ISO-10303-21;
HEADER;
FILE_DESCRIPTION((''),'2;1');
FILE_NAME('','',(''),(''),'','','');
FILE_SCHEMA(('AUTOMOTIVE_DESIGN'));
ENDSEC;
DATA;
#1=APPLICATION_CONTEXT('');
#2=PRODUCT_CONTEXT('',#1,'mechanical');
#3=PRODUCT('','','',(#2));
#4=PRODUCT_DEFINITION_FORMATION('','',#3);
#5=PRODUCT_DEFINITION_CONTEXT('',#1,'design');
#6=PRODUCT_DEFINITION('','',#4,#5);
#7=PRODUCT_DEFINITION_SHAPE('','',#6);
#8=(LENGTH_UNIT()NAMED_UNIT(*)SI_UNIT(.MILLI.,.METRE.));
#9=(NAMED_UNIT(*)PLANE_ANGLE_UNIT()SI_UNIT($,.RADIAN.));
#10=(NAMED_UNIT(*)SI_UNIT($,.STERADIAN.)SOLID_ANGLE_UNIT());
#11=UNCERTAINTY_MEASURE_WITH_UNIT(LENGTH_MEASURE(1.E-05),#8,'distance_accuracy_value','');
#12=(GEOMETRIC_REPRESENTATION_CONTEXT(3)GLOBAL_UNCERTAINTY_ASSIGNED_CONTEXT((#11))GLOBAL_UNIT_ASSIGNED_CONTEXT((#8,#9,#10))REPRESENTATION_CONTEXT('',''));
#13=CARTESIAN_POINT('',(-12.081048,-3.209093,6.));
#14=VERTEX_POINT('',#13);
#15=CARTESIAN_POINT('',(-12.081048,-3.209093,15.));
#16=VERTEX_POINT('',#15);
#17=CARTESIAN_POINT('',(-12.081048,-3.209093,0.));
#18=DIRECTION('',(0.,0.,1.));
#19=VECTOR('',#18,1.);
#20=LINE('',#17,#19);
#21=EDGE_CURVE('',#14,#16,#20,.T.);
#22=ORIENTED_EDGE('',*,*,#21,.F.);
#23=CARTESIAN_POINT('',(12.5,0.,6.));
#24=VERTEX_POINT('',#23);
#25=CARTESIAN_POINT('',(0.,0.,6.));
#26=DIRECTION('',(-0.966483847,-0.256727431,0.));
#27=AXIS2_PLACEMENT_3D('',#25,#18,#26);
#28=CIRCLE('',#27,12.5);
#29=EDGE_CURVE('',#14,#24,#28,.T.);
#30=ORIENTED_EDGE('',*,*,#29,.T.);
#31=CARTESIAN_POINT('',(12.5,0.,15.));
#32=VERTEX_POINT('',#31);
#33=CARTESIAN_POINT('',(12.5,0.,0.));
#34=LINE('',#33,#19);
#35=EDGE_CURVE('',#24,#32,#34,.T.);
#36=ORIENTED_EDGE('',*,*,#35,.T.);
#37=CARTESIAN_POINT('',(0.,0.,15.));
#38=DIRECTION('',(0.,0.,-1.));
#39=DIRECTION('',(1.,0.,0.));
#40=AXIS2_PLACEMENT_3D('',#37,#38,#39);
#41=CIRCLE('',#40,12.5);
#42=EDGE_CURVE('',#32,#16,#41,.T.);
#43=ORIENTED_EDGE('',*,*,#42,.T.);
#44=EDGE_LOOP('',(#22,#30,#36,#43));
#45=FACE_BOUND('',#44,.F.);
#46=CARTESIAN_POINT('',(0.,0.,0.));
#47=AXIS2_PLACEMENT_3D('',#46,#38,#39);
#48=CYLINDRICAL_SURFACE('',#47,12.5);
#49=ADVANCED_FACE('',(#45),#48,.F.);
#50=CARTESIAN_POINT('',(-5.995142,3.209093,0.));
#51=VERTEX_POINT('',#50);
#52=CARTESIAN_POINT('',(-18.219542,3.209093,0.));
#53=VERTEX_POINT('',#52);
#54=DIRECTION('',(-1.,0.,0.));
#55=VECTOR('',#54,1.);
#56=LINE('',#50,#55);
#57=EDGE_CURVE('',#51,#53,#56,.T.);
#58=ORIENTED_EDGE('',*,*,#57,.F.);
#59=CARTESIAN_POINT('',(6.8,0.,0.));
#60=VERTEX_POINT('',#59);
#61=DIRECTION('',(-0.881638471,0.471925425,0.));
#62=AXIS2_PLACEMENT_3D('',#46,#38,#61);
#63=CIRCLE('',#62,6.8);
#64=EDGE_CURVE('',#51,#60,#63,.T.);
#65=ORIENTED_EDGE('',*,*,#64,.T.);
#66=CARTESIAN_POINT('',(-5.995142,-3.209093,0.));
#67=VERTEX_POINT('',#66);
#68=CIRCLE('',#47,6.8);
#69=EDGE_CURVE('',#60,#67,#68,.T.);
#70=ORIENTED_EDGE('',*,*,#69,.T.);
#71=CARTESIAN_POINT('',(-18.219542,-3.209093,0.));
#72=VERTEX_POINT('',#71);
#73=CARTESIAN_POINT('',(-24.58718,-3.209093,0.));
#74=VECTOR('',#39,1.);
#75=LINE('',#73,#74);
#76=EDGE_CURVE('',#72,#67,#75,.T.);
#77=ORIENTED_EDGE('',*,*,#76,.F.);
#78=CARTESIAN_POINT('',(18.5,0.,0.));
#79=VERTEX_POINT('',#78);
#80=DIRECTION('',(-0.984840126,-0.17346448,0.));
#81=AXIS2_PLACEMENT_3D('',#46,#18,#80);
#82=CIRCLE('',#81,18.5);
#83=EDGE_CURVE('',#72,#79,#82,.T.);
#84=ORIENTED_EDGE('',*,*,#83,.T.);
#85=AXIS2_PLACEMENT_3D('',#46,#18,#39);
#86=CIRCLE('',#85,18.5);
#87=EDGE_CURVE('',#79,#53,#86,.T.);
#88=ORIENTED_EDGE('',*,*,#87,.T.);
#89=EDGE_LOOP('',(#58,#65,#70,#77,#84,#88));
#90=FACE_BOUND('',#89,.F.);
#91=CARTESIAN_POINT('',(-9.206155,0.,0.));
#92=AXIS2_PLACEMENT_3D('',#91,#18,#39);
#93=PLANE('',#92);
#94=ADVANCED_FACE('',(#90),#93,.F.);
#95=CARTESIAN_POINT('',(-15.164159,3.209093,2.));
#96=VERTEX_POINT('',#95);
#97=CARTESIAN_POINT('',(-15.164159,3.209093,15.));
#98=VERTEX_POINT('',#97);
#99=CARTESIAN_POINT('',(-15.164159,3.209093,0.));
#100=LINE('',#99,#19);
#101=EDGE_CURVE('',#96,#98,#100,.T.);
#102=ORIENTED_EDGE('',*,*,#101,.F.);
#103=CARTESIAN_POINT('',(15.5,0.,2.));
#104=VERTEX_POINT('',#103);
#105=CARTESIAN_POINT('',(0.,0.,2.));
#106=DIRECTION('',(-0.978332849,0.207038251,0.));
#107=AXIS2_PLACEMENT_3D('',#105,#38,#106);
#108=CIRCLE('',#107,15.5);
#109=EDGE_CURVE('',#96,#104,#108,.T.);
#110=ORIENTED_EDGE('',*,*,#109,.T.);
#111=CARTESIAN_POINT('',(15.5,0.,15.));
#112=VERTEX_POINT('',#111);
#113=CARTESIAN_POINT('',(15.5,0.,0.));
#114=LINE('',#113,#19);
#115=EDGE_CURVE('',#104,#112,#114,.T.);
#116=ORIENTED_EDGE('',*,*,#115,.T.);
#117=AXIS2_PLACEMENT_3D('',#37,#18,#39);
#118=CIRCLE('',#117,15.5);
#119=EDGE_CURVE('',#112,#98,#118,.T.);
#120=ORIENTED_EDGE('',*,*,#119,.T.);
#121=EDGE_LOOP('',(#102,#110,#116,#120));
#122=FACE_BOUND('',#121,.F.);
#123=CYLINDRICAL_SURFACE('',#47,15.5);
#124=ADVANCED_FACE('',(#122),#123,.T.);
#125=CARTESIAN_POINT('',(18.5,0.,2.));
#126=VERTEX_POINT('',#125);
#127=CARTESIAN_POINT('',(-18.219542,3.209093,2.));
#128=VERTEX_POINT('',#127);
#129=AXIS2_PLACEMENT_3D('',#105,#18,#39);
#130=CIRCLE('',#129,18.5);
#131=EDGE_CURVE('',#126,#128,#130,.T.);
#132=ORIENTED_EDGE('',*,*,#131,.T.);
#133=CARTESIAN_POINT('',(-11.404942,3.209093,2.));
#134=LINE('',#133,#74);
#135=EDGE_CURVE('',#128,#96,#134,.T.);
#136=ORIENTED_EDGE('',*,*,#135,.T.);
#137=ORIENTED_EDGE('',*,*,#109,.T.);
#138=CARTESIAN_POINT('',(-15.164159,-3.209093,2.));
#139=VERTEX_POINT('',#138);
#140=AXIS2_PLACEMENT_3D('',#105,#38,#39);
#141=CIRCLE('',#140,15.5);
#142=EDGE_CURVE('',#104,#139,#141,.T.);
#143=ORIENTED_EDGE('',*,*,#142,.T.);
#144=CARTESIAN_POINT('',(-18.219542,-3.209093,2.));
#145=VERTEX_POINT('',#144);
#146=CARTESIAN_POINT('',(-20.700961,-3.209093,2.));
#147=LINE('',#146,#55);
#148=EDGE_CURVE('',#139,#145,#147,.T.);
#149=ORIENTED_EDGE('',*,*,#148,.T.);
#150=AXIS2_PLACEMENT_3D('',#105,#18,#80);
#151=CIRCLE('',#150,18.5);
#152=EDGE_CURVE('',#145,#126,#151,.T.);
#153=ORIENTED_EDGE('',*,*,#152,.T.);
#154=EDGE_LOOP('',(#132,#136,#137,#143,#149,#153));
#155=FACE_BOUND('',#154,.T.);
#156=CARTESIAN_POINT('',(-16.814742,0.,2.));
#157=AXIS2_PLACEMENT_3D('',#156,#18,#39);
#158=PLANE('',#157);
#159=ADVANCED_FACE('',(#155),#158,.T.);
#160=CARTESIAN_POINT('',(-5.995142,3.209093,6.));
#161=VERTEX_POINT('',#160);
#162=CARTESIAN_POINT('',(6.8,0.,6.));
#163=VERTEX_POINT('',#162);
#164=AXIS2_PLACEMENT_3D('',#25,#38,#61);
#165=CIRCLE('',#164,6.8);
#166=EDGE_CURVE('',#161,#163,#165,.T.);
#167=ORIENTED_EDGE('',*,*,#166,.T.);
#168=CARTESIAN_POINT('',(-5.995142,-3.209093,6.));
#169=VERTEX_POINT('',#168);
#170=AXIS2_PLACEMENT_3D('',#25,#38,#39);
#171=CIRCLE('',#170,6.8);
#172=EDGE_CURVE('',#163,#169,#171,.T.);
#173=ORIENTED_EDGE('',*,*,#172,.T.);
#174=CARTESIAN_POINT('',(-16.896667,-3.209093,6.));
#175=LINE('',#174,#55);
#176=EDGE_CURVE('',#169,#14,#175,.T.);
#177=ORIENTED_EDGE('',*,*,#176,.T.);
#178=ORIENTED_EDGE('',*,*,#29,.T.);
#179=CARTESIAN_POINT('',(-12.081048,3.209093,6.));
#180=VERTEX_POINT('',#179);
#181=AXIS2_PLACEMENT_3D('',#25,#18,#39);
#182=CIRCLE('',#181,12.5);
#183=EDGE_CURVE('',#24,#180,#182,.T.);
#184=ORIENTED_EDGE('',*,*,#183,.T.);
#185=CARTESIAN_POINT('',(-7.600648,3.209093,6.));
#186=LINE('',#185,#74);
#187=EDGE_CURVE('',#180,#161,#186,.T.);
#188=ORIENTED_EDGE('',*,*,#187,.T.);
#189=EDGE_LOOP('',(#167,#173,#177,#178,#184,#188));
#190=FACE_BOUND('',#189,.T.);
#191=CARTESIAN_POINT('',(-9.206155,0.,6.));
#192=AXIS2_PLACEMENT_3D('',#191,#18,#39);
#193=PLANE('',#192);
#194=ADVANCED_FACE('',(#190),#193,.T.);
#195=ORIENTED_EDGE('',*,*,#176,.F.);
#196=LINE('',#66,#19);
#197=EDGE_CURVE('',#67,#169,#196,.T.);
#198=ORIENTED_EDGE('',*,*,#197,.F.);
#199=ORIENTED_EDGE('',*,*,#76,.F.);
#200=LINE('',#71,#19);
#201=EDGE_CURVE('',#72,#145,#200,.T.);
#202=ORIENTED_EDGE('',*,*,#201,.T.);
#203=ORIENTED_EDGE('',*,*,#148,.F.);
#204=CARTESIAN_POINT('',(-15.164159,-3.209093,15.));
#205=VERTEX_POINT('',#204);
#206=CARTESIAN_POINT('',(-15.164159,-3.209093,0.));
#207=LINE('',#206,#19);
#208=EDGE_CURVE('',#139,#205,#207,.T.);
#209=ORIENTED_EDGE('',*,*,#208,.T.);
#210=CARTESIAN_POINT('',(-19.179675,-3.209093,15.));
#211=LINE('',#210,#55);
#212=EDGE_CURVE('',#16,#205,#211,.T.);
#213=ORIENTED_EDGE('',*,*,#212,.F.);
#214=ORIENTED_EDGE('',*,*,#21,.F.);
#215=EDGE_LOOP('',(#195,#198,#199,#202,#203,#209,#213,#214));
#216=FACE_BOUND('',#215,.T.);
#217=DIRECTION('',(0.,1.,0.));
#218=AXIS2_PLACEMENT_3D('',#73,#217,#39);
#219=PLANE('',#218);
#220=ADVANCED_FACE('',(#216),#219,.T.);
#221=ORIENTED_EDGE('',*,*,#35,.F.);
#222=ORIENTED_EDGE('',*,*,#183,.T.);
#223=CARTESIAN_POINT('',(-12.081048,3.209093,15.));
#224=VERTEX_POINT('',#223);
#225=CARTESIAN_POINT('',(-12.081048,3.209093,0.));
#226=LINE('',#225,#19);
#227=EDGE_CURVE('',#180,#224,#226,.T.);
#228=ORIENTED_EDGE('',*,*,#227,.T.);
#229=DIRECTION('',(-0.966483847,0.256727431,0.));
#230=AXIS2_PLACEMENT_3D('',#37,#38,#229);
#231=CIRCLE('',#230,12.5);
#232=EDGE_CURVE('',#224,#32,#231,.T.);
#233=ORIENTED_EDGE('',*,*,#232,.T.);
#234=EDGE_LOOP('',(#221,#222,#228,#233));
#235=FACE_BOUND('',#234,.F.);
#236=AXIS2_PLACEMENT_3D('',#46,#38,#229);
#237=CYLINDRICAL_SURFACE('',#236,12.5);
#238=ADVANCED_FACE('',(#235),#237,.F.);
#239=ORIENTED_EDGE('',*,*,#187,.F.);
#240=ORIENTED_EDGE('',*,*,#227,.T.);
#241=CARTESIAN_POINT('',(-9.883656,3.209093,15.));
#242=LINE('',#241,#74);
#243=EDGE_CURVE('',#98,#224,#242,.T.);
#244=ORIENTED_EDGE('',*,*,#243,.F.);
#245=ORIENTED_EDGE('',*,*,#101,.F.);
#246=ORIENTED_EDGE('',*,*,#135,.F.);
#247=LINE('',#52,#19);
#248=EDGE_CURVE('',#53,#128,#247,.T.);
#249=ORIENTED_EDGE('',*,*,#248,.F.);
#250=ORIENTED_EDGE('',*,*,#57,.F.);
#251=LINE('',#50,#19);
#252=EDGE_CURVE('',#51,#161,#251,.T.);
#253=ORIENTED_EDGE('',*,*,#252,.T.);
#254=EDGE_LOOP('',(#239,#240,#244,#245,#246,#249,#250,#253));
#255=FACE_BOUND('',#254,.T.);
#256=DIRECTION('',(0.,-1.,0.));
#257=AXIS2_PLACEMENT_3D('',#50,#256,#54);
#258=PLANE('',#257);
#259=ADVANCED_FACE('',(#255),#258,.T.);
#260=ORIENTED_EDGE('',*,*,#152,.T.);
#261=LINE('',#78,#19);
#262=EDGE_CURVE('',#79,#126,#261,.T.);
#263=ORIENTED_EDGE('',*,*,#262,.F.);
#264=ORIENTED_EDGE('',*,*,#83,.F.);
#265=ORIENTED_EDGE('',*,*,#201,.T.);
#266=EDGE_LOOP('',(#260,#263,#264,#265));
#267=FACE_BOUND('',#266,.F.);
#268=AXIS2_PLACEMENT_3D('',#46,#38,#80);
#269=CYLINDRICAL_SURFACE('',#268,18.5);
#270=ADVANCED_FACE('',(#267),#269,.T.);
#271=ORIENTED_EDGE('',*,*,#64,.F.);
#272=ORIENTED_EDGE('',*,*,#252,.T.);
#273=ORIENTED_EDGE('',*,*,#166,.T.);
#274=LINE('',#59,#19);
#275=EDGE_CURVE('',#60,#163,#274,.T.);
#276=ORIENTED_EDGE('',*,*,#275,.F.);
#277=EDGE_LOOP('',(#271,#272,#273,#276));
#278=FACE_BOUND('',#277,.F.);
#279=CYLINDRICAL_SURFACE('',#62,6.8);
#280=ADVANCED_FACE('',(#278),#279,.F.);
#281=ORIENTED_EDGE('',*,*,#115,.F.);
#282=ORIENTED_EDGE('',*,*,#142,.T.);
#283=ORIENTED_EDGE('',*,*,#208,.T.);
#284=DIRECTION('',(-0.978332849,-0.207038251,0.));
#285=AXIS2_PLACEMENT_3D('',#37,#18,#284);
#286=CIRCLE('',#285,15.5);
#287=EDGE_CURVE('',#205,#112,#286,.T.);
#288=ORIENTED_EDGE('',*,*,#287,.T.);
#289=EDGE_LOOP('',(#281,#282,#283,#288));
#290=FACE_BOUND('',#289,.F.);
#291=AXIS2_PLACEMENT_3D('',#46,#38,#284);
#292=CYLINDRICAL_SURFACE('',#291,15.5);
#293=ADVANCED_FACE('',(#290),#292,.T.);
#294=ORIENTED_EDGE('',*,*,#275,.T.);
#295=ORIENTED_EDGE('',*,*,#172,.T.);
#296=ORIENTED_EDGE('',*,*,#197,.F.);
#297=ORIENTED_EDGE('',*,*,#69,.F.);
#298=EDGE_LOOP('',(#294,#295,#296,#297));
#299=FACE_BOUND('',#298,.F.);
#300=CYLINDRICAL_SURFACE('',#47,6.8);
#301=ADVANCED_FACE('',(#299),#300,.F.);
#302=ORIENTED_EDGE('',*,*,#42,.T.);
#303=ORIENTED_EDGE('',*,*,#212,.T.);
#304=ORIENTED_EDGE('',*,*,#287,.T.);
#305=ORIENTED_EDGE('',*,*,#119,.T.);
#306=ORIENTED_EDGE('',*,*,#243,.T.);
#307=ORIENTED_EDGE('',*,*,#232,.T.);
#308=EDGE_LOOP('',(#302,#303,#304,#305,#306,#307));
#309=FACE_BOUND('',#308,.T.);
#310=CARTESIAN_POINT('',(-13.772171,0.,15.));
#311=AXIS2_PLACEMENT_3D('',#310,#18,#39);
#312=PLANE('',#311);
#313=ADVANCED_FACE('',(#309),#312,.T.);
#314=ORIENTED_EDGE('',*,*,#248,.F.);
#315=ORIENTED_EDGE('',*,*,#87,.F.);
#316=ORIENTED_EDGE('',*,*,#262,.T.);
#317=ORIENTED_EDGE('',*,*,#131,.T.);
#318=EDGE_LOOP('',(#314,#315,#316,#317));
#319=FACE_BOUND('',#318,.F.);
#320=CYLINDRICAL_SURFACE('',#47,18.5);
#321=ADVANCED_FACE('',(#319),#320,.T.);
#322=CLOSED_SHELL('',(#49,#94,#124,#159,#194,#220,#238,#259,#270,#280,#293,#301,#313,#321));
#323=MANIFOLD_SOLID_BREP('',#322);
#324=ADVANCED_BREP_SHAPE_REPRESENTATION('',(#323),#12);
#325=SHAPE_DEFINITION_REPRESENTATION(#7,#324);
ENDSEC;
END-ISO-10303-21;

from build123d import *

# Parameters (mm, degrees)
F1_DEPTH = 2
F2_DEPTH = 15
F3_DEPTH = 6
F4_DEPTH = 23.4


with BuildPart() as f1:
    # F0 (on Top) → F1 (new body)
    with BuildSketch(Plane.XY):
        with BuildLine():
            ThreePointArc((-15.1641591538, -3.2090928871), (-15.5, 0), (-15.1641591538, 3.2090928871))
            Line((-15.1641591538, 3.2090928871), (-18.2195423335, 3.2090928871))
            ThreePointArc((-18.2195423335, 3.2090928871), (-18.5, 0), (-18.2195423335, -3.2090928871))
            Line((-18.2195423335, -3.2090928871), (-15.1641591538, -3.2090928871))
        make_face()
        with BuildLine():
            Line((-18.2195423335, 3.2090928871), (-15.1641591538, 3.2090928871))
            ThreePointArc((-15.1641591538, 3.2090928871), (1.6133091948, 15.415811151), (15.5, 0))
            ThreePointArc((15.5, 0), (1.6133091948, -15.415811151), (-15.1641591538, -3.2090928871))
            Line((-15.1641591538, -3.2090928871), (-18.2195423335, -3.2090928871))
            ThreePointArc((-18.2195423335, -3.2090928871), (1.610662415, -18.4297522117), (18.5, 0))
            ThreePointArc((18.5, 0), (1.610662415, 18.4297522117), (-18.2195423335, 3.2090928871))
        make_face()
    extrude(amount=F1_DEPTH)

    # F0 (on Top) → F2 (join)
    with BuildSketch(Plane.XY):
        with BuildLine():
            ThreePointArc((-12.0810480854, -3.2090928871), (-12.5, 0), (-12.0810480854, 3.2090928871))
            Line((-12.0810480854, 3.2090928871), (-15.1641591538, 3.2090928871))
            ThreePointArc((-15.1641591538, 3.2090928871), (-15.5, 0), (-15.1641591538, -3.2090928871))
            Line((-15.1641591538, -3.2090928871), (-12.0810480854, -3.2090928871))
        make_face()
        with BuildLine():
            Line((-15.1641591538, 3.2090928871), (-12.0810480854, 3.2090928871))
            ThreePointArc((-12.0810480854, 3.2090928871), (1.6181623733, 12.3948195039), (12.5, 0))
            ThreePointArc((12.5, 0), (1.6181623733, -12.3948195039), (-12.0810480854, -3.2090928871))
            Line((-12.0810480854, -3.2090928871), (-15.1641591538, -3.2090928871))
            ThreePointArc((-15.1641591538, -3.2090928871), (1.6133091948, -15.415811151), (15.5, 0))
            ThreePointArc((15.5, 0), (1.6133091948, 15.415811151), (-15.1641591538, 3.2090928871))
        make_face()
    extrude(amount=F2_DEPTH)

    # F0 (on Top) → F3 (join)
    with BuildSketch(Plane.XY):
        with BuildLine():
            ThreePointArc((-5.9951416032, -3.2090928871), (-6.8, 0), (-5.9951416032, 3.2090928871))
            Line((-5.9951416032, 3.2090928871), (-12.0810480854, 3.2090928871))
            ThreePointArc((-12.0810480854, 3.2090928871), (-12.5, 0), (-12.0810480854, -3.2090928871))
            Line((-12.0810480854, -3.2090928871), (-5.9951416032, -3.2090928871))
        make_face()
        with BuildLine():
            ThreePointArc((-5.9951416032, 3.2090928871), (1.6542425908, 6.595716902), (6.8, 0))
            ThreePointArc((6.8, 0), (1.6542425908, -6.595716902), (-5.9951416032, -3.2090928871))
            Line((-5.9951416032, -3.2090928871), (-12.0810480854, -3.2090928871))
            ThreePointArc((-12.0810480854, -3.2090928871), (1.6181623733, -12.3948195039), (12.5, 0))
            ThreePointArc((12.5, 0), (1.6181623733, 12.3948195039), (-12.0810480854, 3.2090928871))
            Line((-12.0810480854, 3.2090928871), (-5.9951416032, 3.2090928871))
        make_face()
    extrude(amount=F3_DEPTH)

    # F0 (on Top) → F4 (cut)
    with BuildSketch(Plane.XY):
        with BuildLine():
            ThreePointArc((-18.2195423335, -3.2090928871), (-18.5, 0), (-18.2195423335, 3.2090928871))
            Line((-18.2195423335, 3.2090928871), (-24.5871795341, 3.2090928871))
            Line((-24.5871795341, 3.2090928871), (-24.5871795341, -3.2090928871))
            Line((-24.5871795341, -3.2090928871), (-18.2195423335, -3.2090928871))
        make_face()
        with BuildLine():
            ThreePointArc((-5.9951416032, -3.2090928871), (-6.8, 0), (-5.9951416032, 3.2090928871))
            Line((-5.9951416032, 3.2090928871), (-12.0810480854, 3.2090928871))
            ThreePointArc((-12.0810480854, 3.2090928871), (-12.5, 0), (-12.0810480854, -3.2090928871))
            Line((-12.0810480854, -3.2090928871), (-5.9951416032, -3.2090928871))
        make_face()
        with BuildLine():
            ThreePointArc((-15.1641591538, -3.2090928871), (-15.5, 0), (-15.1641591538, 3.2090928871))
            Line((-15.1641591538, 3.2090928871), (-18.2195423335, 3.2090928871))
            ThreePointArc((-18.2195423335, 3.2090928871), (-18.5, 0), (-18.2195423335, -3.2090928871))
            Line((-18.2195423335, -3.2090928871), (-15.1641591538, -3.2090928871))
        make_face()
        with BuildLine():
            ThreePointArc((-12.0810480854, -3.2090928871), (-12.5, 0), (-12.0810480854, 3.2090928871))
            Line((-12.0810480854, 3.2090928871), (-15.1641591538, 3.2090928871))
            ThreePointArc((-15.1641591538, 3.2090928871), (-15.5, 0), (-15.1641591538, -3.2090928871))
            Line((-15.1641591538, -3.2090928871), (-12.0810480854, -3.2090928871))
        make_face()
    extrude(amount=F4_DEPTH, mode=Mode.SUBTRACT)


solid = f1.part
